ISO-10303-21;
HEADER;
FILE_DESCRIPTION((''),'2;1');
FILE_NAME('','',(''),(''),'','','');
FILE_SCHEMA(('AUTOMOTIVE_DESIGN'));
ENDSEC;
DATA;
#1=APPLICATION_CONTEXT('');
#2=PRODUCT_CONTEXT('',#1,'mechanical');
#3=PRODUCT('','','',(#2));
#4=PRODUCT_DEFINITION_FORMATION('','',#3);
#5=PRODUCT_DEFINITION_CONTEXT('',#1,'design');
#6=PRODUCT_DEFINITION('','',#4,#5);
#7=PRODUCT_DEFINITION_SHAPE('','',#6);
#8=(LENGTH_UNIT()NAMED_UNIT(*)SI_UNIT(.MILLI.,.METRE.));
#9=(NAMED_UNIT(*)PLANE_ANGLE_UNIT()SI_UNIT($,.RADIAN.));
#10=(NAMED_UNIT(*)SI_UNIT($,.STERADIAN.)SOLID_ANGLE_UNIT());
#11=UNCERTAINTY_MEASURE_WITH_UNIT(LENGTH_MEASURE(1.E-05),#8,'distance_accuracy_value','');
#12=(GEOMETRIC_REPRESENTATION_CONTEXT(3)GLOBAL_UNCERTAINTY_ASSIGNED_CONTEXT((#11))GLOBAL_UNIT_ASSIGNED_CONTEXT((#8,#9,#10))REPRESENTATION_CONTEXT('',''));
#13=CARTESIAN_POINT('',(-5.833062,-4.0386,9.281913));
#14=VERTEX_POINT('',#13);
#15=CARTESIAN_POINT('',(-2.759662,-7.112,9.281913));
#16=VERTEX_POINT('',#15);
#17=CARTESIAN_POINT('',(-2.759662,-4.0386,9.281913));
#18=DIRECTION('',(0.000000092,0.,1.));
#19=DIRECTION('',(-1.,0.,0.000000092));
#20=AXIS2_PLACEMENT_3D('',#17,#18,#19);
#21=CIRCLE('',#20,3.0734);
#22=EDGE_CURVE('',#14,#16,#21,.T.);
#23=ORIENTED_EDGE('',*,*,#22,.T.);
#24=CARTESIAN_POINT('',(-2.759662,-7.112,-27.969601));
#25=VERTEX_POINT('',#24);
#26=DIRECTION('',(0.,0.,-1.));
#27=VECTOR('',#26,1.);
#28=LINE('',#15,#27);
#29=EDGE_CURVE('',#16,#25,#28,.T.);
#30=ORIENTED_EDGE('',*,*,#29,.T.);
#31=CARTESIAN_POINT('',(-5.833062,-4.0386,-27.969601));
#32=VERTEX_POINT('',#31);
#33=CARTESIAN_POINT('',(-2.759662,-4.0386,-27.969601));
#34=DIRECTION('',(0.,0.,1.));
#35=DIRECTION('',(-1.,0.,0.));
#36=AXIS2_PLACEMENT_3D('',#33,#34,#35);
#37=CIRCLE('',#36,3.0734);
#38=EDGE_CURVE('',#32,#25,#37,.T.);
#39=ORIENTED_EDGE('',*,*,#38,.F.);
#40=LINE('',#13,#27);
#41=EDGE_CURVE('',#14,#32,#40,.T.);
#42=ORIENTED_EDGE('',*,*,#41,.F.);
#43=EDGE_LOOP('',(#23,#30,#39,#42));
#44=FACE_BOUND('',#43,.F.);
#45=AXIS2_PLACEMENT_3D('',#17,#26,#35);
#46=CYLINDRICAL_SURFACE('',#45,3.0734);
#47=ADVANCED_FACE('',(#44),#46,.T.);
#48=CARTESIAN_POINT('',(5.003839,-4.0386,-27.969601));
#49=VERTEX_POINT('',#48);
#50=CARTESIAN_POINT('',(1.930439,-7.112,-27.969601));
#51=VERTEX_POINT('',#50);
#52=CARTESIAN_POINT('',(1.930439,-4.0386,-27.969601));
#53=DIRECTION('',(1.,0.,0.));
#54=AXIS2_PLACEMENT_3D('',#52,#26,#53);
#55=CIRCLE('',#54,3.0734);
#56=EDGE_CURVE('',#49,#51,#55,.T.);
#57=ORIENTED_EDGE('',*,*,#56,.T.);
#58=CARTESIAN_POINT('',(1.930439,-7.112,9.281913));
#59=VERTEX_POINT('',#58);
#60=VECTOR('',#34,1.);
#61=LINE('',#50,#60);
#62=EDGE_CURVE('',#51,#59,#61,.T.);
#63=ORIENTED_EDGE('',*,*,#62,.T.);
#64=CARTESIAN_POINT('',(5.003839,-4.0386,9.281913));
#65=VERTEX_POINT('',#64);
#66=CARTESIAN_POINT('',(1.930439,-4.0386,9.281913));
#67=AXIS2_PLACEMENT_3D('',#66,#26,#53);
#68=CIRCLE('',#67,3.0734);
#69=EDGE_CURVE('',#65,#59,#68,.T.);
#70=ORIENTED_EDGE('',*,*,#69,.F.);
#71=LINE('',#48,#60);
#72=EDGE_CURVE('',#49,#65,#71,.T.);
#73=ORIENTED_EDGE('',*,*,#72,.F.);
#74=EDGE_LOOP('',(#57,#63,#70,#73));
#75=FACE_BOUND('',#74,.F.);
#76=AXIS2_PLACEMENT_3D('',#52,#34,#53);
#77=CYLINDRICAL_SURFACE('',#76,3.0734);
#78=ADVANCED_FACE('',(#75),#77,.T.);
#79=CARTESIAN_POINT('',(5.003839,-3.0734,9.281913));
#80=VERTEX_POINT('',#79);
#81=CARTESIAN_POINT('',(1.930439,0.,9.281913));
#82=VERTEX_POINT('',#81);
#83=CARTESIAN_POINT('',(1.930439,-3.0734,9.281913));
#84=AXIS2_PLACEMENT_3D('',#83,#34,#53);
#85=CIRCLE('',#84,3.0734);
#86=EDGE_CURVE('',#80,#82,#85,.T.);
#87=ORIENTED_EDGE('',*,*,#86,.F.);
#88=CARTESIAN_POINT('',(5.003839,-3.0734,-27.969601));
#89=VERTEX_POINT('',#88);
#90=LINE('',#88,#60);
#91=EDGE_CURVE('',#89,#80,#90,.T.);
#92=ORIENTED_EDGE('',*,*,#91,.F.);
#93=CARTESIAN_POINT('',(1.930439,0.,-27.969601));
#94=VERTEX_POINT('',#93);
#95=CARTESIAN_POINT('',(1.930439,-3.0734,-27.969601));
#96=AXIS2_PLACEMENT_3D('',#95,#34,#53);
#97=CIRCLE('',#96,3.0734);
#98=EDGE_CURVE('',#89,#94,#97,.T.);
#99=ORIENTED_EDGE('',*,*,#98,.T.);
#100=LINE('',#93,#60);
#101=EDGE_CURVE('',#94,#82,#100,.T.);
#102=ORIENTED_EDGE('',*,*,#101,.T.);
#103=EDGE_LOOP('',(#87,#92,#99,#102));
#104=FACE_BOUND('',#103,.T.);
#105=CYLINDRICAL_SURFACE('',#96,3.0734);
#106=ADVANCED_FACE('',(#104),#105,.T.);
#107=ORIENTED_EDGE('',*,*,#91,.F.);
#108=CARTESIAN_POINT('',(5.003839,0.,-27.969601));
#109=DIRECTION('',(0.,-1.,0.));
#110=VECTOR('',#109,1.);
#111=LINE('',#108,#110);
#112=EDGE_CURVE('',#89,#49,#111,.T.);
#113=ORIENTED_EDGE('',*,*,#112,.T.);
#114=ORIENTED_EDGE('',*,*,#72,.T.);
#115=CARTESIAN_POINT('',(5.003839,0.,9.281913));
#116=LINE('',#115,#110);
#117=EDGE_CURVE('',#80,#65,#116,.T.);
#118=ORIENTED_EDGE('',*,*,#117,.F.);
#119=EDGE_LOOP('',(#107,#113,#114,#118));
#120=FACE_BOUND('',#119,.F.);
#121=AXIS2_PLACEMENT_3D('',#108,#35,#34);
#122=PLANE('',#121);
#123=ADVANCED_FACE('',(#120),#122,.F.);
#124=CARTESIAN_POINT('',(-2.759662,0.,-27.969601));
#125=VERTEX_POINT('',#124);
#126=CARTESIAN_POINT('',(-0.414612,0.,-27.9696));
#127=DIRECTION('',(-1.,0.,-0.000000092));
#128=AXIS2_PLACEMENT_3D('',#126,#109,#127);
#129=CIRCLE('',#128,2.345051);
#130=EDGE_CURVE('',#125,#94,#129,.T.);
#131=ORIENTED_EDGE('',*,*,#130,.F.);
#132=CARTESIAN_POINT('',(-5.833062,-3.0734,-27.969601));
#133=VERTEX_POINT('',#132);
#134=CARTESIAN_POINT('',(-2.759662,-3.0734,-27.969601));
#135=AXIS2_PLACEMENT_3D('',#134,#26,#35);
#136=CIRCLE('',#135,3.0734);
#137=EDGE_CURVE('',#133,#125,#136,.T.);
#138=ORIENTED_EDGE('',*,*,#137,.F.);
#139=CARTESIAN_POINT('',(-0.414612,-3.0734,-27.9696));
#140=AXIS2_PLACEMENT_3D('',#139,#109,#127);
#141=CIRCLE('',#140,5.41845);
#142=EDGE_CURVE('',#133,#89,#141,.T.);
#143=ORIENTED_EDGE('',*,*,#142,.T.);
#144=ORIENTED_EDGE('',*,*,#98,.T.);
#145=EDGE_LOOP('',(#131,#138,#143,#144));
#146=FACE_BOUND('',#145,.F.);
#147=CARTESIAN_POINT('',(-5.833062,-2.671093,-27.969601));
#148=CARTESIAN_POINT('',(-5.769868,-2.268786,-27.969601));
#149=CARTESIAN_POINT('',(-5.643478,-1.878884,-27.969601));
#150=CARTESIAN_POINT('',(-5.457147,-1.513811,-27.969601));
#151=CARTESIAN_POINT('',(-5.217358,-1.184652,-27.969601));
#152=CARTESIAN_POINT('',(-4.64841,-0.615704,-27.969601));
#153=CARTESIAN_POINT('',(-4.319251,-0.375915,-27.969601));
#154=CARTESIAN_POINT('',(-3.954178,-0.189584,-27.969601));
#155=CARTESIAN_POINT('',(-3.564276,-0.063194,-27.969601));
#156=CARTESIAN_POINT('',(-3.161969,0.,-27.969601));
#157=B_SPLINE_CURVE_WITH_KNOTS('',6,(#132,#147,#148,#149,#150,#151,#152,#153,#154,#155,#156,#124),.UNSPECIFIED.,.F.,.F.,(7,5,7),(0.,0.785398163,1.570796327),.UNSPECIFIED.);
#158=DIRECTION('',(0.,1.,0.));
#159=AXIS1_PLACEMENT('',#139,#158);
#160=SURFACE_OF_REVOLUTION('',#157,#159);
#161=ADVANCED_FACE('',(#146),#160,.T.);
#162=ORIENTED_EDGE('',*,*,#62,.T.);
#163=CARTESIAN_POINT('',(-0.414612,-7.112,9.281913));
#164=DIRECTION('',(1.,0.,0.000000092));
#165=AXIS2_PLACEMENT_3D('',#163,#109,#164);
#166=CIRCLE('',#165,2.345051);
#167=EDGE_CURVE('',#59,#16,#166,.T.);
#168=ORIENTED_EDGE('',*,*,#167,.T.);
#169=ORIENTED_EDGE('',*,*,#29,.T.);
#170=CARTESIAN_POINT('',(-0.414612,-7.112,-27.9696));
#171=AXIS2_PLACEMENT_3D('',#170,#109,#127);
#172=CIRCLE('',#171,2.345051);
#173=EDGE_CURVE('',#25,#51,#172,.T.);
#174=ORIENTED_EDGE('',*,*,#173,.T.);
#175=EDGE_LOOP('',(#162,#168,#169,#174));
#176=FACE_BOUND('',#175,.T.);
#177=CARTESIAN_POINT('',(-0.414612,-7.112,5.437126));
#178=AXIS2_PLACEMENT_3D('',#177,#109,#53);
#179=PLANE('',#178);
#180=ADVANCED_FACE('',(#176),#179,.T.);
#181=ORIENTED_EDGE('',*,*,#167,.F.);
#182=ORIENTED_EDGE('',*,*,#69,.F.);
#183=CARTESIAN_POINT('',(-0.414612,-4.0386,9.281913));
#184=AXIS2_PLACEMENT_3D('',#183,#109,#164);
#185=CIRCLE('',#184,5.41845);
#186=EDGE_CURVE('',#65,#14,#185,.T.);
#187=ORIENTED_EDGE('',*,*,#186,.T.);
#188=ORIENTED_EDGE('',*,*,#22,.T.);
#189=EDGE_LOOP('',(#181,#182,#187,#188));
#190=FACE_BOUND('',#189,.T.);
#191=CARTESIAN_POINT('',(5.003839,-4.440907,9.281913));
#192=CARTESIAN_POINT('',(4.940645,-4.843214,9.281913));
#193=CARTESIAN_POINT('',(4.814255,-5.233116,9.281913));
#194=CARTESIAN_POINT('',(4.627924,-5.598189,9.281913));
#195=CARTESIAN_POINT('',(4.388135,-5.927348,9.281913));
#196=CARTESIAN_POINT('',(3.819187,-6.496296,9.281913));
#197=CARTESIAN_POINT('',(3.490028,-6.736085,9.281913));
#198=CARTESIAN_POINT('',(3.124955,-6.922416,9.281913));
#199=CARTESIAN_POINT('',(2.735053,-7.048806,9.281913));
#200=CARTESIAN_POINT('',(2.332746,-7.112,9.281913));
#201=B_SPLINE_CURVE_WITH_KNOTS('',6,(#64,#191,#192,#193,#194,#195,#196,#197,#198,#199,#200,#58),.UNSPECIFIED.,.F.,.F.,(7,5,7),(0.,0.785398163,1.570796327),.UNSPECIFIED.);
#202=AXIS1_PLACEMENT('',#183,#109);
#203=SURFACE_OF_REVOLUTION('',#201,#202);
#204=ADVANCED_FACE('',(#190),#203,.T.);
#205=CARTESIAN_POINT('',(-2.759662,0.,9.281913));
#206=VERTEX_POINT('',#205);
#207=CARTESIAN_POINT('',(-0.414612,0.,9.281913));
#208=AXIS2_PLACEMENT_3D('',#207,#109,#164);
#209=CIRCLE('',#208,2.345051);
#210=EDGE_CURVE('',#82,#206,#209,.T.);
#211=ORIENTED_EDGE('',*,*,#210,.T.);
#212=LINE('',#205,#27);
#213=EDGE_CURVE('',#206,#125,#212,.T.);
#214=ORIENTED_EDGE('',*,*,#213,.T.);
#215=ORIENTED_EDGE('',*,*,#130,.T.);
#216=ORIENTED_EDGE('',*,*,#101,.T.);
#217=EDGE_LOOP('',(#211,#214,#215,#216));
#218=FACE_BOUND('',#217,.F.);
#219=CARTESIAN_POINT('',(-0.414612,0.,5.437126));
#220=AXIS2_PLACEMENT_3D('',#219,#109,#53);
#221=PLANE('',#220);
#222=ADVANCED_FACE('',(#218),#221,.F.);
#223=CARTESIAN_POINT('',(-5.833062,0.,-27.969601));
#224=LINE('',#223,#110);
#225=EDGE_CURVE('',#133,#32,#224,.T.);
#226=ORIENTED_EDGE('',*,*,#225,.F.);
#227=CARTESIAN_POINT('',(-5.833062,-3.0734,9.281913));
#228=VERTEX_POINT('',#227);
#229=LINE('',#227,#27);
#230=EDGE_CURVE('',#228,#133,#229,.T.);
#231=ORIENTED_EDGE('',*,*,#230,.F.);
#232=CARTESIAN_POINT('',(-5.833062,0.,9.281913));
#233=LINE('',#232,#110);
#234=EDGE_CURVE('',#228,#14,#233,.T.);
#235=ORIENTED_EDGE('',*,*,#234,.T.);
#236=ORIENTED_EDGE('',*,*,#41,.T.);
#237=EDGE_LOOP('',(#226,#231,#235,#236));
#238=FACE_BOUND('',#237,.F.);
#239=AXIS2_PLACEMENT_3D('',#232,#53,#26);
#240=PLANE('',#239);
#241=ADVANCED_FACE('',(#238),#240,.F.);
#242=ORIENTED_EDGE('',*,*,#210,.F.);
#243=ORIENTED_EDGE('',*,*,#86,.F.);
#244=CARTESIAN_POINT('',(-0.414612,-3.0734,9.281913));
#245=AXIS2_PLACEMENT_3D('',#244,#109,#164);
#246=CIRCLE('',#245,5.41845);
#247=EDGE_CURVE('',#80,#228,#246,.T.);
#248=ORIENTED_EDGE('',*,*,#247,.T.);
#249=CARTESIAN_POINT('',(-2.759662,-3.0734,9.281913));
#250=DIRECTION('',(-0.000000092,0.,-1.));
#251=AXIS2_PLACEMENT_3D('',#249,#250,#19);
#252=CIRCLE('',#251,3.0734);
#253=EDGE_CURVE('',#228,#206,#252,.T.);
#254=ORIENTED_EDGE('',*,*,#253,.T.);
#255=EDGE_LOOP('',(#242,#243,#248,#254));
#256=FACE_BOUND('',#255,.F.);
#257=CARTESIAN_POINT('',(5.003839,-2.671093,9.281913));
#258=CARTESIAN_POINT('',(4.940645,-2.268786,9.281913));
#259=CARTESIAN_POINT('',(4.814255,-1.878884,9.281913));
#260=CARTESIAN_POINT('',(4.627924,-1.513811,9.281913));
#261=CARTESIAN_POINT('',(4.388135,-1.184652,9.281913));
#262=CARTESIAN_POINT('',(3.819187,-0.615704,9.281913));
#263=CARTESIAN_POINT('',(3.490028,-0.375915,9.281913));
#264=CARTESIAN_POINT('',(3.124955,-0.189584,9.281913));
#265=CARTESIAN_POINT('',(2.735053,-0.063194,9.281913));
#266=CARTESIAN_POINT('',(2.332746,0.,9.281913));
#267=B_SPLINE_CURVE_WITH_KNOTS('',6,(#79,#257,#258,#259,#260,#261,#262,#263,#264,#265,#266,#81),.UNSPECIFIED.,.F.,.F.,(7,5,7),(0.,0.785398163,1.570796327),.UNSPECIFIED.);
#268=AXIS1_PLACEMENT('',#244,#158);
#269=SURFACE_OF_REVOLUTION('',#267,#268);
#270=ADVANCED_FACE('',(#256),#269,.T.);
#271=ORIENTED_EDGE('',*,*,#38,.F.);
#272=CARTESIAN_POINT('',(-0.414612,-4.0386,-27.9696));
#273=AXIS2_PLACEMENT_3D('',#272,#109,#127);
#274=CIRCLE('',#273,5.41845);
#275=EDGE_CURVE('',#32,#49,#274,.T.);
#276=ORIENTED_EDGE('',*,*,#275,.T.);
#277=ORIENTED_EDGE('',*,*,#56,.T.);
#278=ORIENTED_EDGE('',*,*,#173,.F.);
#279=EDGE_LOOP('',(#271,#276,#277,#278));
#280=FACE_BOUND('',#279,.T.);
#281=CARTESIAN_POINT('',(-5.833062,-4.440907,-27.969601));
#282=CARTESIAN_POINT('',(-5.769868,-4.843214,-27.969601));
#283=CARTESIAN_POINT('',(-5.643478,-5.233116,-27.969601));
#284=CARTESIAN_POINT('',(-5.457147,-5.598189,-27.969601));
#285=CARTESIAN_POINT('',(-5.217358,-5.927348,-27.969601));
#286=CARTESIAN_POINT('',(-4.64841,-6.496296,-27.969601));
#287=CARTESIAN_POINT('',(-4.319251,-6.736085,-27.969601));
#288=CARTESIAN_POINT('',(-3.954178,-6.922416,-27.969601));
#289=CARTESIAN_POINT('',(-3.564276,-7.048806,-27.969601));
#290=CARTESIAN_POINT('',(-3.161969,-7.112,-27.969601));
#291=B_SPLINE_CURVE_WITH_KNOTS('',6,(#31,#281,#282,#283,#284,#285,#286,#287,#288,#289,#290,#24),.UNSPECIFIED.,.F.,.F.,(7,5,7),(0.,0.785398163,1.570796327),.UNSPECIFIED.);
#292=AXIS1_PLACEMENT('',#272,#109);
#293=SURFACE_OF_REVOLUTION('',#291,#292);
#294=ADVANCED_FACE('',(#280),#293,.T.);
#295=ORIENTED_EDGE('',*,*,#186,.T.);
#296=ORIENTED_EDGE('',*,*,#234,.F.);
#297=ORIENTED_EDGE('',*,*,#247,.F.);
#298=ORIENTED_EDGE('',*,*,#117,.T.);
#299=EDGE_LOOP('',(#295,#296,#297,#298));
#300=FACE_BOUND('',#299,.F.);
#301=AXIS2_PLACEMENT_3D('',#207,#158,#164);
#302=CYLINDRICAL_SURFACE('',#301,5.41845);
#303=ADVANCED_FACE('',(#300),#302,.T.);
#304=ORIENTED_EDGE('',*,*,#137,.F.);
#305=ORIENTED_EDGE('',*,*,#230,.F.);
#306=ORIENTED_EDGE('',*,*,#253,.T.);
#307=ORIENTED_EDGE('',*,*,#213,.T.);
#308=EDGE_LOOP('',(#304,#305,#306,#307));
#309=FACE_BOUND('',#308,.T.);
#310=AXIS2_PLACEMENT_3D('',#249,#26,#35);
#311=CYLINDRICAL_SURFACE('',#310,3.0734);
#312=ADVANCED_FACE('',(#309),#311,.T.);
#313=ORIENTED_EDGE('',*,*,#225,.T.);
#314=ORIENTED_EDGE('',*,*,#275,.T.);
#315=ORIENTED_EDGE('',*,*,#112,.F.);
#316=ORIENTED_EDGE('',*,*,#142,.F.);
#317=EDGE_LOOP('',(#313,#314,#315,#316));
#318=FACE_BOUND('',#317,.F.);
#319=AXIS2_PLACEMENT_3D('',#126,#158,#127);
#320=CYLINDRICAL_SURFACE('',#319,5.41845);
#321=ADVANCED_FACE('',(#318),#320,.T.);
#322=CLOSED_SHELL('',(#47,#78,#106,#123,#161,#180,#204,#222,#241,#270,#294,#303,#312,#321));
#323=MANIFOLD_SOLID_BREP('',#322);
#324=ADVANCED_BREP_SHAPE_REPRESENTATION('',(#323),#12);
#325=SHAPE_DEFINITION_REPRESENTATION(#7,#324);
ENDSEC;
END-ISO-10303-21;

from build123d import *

# Parameters (mm, degrees)
F1_DEPTH = 7.112
F2_R     = 3.0734


with BuildPart() as f1:
    # F0 (on Front) → F1 (new body)
    with BuildSketch(Plane.XZ):
        with BuildLine():
            Line((-5.833062, 5.073665), (-5.833062, -2.089096))
            ThreePointArc((-5.833062, -2.089096), (-0.414611, 3.329354), (5.003839, -2.089096))
            Line((5.003839, -2.089096), (5.003839, 1.10841))
            Line((5.003839, 1.10841), (5.003839, 9.281913))
            ThreePointArc((5.003839, 9.281913), (-0.414611, 14.700363), (-5.833062, 9.281913))
            Line((-5.833062, 9.281913), (-5.833062, 5.073665))
        make_face()
        with BuildLine():
            Line((5.003839, -2.089096), (-5.833062, -2.089096))
            ThreePointArc((-5.833062, -2.089096), (-0.414611, -7.507547), (5.003839, -2.089096))
        make_face()
        with BuildLine():
            ThreePointArc((5.003839, -2.089096), (-0.414611, 3.329354), (-5.833062, -2.089096))
            Line((-5.833062, -2.089096), (5.003839, -2.089096))
        make_face()
        with BuildLine():
            Line((-5.833062, -2.089096), (-5.833062, -27.969601))
            ThreePointArc((-5.833062, -27.969601), (-0.414611, -33.388051), (5.003839, -27.969601))
            Line((5.003839, -27.969601), (5.003839, -9.071903))
            Line((5.003839, -9.071903), (5.003839, -2.089096))
            ThreePointArc((5.003839, -2.089096), (-0.414611, -7.507547), (-5.833062, -2.089096))
        make_face()
    extrude(amount=F1_DEPTH)

    # F2
    f2_edges = [f1.edges().sort_by_distance(p)[0] for p in [
        (5.003839, -7.112, -9.343844),
        (5.003839, 0, -9.343844),
        (-0.414611, -7.112, 14.700363),
        (-0.414611, 0, 14.700363),
        (-0.414611, 0, -33.388051),
        (-0.414611, -7.112, -33.388051),
        (-5.833062, 0, -9.343844),
        (-5.833062, -7.112, -9.343844),
    ]]
    fillet(f2_edges, radius=F2_R)


solid = f1.part
